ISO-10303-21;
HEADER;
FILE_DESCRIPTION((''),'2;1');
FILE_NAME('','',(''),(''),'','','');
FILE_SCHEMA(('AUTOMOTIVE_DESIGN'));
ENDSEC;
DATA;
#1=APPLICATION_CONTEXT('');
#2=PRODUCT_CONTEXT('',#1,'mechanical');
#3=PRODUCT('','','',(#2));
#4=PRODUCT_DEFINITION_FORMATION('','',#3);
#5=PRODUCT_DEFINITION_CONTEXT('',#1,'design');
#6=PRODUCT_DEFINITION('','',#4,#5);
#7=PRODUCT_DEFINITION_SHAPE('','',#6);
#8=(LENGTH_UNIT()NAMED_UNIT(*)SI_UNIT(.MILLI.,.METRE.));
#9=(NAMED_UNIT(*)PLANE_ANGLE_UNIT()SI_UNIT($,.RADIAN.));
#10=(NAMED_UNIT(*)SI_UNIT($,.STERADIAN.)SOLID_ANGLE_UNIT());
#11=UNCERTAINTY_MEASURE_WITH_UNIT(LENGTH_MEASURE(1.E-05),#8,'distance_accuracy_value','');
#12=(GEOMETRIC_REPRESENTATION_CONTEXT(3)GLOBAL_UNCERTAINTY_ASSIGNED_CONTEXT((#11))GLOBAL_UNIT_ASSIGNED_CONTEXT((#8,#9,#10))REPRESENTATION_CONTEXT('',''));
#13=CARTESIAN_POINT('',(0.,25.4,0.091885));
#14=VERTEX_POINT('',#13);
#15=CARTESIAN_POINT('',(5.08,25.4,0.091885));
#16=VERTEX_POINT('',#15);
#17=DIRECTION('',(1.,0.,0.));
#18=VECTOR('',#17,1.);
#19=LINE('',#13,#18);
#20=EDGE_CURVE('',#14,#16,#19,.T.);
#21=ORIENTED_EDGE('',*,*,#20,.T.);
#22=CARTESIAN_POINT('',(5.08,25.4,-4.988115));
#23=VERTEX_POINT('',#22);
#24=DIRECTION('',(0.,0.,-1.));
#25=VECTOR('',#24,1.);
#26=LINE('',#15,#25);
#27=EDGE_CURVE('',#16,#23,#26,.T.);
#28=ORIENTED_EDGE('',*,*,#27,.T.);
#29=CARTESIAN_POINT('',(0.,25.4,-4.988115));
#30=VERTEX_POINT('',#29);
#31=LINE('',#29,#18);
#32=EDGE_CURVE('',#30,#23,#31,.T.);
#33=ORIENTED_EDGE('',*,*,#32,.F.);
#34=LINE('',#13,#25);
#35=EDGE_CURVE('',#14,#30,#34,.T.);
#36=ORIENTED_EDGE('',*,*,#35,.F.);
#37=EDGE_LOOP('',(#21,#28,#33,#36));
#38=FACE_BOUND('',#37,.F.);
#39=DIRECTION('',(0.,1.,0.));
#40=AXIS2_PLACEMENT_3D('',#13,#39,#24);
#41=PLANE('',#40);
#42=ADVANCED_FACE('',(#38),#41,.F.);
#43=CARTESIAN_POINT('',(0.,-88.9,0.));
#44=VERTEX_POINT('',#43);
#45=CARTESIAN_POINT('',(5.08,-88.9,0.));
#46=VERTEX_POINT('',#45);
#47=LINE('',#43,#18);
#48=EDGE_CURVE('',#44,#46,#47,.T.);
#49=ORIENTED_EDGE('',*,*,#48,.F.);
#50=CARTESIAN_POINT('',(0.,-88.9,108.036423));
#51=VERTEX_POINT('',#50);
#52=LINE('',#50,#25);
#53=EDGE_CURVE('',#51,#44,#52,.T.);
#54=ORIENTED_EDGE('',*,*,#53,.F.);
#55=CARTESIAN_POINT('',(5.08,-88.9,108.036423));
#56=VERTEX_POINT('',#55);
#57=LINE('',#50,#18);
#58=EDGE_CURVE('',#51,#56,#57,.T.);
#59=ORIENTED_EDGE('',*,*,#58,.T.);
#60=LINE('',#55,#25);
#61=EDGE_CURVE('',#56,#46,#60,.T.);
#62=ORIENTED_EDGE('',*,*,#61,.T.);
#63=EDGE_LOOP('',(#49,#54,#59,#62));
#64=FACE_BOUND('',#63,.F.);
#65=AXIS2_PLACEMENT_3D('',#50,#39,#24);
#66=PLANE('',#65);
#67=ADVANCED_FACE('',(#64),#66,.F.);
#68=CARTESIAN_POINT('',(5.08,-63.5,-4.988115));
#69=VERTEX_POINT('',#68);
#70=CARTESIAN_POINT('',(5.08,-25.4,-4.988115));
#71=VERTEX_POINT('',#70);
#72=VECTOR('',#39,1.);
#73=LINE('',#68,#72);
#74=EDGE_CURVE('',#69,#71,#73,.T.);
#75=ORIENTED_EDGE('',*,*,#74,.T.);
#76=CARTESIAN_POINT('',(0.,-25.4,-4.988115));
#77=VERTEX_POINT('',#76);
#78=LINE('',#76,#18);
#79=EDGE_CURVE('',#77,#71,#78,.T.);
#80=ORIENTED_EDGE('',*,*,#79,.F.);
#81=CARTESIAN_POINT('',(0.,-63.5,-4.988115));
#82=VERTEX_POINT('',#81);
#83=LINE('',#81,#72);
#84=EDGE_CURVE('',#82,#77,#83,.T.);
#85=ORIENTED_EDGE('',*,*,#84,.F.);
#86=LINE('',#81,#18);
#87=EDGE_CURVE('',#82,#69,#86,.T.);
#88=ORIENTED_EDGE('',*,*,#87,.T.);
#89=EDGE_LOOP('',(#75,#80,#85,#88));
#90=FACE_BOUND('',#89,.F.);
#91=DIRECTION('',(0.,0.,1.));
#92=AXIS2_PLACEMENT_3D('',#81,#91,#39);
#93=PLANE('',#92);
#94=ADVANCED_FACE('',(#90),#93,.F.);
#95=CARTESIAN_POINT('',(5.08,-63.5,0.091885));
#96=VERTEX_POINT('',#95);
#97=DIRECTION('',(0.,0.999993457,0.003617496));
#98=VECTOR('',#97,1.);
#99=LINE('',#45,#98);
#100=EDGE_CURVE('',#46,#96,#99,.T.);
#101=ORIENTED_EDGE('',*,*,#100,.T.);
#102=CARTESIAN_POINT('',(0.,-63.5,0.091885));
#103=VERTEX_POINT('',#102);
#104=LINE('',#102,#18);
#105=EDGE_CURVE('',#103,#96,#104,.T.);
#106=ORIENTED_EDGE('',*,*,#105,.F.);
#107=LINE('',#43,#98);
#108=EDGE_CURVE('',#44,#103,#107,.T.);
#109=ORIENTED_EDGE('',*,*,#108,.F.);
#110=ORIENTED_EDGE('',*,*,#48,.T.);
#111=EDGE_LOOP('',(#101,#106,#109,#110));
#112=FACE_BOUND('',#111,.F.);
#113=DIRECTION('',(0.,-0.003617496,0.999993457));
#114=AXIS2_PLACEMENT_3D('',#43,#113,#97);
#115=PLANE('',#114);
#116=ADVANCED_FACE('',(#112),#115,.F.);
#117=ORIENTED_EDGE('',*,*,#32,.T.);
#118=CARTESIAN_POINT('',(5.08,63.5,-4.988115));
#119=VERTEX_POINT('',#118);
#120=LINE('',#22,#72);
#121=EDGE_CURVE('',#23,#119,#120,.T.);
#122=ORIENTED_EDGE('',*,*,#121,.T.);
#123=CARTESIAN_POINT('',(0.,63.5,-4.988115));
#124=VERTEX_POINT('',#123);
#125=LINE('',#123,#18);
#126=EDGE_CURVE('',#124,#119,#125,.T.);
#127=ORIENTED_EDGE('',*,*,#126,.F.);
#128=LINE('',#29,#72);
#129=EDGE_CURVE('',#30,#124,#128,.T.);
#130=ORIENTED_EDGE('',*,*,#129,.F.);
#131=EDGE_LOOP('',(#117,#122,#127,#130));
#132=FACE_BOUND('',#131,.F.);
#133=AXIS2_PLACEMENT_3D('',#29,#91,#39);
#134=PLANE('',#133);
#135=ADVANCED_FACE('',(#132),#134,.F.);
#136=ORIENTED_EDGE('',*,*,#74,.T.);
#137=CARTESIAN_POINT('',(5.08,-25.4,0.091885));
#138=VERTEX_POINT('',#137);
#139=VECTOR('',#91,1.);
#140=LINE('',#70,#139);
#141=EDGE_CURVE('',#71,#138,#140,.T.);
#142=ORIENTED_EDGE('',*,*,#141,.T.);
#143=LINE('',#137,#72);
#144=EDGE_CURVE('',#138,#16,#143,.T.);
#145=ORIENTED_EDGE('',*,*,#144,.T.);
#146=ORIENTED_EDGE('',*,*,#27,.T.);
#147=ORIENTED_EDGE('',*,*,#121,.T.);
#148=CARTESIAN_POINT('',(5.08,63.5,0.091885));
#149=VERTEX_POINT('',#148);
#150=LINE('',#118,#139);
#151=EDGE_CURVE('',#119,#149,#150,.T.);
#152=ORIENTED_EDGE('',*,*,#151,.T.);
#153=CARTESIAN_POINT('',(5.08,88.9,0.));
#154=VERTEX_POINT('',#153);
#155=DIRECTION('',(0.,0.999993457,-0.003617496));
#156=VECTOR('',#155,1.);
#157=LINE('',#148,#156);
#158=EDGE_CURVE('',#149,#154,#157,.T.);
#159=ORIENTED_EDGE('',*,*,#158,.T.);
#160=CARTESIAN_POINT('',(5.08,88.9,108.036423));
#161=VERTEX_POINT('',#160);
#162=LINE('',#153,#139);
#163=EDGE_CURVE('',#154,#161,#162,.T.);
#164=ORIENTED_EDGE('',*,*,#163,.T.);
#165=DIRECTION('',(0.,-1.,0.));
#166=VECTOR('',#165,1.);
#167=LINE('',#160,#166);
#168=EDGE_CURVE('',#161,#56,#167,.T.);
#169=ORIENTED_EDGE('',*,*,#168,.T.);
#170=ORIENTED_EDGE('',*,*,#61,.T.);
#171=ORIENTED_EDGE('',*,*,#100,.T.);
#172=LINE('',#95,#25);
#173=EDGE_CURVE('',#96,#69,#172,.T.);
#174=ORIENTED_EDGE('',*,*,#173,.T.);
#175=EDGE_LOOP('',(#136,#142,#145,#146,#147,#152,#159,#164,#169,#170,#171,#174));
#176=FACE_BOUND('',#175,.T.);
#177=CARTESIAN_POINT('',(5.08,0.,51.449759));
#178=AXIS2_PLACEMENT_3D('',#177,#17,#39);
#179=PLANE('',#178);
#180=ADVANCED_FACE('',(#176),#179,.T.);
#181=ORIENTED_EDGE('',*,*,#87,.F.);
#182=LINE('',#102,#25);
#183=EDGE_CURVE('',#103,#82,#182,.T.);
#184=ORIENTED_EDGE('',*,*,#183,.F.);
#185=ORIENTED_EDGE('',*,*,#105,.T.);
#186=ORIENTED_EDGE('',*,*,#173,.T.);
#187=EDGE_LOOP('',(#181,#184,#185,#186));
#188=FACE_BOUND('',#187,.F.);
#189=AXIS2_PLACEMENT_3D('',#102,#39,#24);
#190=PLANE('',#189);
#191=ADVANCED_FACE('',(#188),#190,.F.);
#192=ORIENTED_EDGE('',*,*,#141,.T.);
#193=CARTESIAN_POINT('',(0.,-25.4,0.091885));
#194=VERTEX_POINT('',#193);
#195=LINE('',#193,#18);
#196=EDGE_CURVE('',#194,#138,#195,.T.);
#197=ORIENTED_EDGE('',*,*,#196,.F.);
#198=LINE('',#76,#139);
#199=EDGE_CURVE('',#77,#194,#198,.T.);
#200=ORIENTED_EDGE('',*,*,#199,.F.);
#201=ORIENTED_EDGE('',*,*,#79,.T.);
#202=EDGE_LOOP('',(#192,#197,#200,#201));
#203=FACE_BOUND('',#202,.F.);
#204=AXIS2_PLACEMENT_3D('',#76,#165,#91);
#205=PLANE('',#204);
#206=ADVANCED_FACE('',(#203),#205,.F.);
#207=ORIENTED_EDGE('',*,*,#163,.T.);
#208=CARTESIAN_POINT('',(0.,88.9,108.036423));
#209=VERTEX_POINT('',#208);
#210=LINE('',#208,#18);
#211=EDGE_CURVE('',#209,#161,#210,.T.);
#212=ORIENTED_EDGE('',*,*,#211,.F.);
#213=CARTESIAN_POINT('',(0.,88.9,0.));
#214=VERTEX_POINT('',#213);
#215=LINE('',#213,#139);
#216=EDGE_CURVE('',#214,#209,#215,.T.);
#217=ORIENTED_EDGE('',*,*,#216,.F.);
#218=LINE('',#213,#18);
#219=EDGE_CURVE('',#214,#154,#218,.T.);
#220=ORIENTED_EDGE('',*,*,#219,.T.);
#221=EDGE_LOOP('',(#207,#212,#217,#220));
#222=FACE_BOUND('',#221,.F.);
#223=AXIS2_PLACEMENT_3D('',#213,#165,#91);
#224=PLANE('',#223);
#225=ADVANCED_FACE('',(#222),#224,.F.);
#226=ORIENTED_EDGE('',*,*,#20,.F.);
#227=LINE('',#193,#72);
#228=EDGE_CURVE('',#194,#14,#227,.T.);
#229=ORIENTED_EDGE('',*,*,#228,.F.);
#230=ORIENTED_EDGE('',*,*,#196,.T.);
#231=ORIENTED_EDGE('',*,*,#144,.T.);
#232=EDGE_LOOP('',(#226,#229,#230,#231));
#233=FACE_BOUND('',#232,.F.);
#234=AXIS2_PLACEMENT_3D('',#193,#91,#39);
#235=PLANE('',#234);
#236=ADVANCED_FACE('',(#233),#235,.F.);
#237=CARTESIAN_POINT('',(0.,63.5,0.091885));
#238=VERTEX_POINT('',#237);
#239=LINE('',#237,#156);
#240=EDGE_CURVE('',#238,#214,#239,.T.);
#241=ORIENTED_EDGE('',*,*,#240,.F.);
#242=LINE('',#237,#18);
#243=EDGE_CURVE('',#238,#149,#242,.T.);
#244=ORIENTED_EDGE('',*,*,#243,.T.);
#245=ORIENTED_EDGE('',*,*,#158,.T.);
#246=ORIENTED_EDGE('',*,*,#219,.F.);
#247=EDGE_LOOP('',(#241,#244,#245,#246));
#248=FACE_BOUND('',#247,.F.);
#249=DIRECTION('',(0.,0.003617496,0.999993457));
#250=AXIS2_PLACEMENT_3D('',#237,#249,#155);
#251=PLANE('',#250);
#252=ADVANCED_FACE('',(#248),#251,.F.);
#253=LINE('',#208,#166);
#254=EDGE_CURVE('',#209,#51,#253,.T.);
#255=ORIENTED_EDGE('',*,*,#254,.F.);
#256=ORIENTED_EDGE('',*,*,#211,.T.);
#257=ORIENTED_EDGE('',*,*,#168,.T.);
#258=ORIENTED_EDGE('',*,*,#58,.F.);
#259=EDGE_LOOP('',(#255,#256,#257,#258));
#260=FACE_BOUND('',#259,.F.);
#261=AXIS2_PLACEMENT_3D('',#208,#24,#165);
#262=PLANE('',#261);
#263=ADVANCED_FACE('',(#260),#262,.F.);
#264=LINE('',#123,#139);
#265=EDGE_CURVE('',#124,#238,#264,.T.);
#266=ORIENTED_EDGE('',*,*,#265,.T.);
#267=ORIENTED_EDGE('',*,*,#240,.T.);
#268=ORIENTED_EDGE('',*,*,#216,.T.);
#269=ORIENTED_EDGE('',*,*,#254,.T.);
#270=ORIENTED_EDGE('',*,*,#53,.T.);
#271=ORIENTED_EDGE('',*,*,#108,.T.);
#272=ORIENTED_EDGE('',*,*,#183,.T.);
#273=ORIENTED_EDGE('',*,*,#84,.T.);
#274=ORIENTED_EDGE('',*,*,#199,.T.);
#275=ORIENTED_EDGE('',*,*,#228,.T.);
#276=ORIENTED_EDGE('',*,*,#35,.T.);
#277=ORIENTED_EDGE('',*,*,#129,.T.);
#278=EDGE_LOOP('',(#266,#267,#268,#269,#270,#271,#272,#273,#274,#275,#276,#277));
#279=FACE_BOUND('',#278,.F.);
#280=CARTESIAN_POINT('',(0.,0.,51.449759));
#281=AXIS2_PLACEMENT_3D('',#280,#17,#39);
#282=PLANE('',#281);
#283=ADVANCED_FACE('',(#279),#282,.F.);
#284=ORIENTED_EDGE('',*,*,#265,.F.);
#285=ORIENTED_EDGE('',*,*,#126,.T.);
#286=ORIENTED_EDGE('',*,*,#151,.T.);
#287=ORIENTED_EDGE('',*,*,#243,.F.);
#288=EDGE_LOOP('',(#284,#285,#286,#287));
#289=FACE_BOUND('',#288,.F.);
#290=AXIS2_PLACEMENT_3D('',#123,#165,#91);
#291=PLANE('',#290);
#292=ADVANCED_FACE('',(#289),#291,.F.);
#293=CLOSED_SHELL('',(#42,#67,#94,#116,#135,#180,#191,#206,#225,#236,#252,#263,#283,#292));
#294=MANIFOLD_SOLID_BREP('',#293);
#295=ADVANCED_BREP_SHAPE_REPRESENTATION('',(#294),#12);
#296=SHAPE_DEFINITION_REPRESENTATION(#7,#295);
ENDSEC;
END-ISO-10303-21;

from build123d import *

# Parameters (mm, degrees)
F1_DEPTH = 5.08


with BuildPart() as f1:
    # F0 (on Right) → F1 (new body)
    with BuildSketch(Plane.YZ):
        Polygon((-25.4, 0.091885), (0, 0.091885), (25.4, 0.091885), (25.4, -4.988115), (63.5, -4.988115), (63.5, 0.091885), (88.9, 0), (88.9, 6.436423), (88.9, 108.036423), (-88.9, 108.036423), (-88.9, 6.436423), (-88.9, 0), (-63.5, 0.091885), (-63.5, -4.988115), (-25.4, -4.988115), align=None)
    extrude(amount=F1_DEPTH)


solid = f1.part
